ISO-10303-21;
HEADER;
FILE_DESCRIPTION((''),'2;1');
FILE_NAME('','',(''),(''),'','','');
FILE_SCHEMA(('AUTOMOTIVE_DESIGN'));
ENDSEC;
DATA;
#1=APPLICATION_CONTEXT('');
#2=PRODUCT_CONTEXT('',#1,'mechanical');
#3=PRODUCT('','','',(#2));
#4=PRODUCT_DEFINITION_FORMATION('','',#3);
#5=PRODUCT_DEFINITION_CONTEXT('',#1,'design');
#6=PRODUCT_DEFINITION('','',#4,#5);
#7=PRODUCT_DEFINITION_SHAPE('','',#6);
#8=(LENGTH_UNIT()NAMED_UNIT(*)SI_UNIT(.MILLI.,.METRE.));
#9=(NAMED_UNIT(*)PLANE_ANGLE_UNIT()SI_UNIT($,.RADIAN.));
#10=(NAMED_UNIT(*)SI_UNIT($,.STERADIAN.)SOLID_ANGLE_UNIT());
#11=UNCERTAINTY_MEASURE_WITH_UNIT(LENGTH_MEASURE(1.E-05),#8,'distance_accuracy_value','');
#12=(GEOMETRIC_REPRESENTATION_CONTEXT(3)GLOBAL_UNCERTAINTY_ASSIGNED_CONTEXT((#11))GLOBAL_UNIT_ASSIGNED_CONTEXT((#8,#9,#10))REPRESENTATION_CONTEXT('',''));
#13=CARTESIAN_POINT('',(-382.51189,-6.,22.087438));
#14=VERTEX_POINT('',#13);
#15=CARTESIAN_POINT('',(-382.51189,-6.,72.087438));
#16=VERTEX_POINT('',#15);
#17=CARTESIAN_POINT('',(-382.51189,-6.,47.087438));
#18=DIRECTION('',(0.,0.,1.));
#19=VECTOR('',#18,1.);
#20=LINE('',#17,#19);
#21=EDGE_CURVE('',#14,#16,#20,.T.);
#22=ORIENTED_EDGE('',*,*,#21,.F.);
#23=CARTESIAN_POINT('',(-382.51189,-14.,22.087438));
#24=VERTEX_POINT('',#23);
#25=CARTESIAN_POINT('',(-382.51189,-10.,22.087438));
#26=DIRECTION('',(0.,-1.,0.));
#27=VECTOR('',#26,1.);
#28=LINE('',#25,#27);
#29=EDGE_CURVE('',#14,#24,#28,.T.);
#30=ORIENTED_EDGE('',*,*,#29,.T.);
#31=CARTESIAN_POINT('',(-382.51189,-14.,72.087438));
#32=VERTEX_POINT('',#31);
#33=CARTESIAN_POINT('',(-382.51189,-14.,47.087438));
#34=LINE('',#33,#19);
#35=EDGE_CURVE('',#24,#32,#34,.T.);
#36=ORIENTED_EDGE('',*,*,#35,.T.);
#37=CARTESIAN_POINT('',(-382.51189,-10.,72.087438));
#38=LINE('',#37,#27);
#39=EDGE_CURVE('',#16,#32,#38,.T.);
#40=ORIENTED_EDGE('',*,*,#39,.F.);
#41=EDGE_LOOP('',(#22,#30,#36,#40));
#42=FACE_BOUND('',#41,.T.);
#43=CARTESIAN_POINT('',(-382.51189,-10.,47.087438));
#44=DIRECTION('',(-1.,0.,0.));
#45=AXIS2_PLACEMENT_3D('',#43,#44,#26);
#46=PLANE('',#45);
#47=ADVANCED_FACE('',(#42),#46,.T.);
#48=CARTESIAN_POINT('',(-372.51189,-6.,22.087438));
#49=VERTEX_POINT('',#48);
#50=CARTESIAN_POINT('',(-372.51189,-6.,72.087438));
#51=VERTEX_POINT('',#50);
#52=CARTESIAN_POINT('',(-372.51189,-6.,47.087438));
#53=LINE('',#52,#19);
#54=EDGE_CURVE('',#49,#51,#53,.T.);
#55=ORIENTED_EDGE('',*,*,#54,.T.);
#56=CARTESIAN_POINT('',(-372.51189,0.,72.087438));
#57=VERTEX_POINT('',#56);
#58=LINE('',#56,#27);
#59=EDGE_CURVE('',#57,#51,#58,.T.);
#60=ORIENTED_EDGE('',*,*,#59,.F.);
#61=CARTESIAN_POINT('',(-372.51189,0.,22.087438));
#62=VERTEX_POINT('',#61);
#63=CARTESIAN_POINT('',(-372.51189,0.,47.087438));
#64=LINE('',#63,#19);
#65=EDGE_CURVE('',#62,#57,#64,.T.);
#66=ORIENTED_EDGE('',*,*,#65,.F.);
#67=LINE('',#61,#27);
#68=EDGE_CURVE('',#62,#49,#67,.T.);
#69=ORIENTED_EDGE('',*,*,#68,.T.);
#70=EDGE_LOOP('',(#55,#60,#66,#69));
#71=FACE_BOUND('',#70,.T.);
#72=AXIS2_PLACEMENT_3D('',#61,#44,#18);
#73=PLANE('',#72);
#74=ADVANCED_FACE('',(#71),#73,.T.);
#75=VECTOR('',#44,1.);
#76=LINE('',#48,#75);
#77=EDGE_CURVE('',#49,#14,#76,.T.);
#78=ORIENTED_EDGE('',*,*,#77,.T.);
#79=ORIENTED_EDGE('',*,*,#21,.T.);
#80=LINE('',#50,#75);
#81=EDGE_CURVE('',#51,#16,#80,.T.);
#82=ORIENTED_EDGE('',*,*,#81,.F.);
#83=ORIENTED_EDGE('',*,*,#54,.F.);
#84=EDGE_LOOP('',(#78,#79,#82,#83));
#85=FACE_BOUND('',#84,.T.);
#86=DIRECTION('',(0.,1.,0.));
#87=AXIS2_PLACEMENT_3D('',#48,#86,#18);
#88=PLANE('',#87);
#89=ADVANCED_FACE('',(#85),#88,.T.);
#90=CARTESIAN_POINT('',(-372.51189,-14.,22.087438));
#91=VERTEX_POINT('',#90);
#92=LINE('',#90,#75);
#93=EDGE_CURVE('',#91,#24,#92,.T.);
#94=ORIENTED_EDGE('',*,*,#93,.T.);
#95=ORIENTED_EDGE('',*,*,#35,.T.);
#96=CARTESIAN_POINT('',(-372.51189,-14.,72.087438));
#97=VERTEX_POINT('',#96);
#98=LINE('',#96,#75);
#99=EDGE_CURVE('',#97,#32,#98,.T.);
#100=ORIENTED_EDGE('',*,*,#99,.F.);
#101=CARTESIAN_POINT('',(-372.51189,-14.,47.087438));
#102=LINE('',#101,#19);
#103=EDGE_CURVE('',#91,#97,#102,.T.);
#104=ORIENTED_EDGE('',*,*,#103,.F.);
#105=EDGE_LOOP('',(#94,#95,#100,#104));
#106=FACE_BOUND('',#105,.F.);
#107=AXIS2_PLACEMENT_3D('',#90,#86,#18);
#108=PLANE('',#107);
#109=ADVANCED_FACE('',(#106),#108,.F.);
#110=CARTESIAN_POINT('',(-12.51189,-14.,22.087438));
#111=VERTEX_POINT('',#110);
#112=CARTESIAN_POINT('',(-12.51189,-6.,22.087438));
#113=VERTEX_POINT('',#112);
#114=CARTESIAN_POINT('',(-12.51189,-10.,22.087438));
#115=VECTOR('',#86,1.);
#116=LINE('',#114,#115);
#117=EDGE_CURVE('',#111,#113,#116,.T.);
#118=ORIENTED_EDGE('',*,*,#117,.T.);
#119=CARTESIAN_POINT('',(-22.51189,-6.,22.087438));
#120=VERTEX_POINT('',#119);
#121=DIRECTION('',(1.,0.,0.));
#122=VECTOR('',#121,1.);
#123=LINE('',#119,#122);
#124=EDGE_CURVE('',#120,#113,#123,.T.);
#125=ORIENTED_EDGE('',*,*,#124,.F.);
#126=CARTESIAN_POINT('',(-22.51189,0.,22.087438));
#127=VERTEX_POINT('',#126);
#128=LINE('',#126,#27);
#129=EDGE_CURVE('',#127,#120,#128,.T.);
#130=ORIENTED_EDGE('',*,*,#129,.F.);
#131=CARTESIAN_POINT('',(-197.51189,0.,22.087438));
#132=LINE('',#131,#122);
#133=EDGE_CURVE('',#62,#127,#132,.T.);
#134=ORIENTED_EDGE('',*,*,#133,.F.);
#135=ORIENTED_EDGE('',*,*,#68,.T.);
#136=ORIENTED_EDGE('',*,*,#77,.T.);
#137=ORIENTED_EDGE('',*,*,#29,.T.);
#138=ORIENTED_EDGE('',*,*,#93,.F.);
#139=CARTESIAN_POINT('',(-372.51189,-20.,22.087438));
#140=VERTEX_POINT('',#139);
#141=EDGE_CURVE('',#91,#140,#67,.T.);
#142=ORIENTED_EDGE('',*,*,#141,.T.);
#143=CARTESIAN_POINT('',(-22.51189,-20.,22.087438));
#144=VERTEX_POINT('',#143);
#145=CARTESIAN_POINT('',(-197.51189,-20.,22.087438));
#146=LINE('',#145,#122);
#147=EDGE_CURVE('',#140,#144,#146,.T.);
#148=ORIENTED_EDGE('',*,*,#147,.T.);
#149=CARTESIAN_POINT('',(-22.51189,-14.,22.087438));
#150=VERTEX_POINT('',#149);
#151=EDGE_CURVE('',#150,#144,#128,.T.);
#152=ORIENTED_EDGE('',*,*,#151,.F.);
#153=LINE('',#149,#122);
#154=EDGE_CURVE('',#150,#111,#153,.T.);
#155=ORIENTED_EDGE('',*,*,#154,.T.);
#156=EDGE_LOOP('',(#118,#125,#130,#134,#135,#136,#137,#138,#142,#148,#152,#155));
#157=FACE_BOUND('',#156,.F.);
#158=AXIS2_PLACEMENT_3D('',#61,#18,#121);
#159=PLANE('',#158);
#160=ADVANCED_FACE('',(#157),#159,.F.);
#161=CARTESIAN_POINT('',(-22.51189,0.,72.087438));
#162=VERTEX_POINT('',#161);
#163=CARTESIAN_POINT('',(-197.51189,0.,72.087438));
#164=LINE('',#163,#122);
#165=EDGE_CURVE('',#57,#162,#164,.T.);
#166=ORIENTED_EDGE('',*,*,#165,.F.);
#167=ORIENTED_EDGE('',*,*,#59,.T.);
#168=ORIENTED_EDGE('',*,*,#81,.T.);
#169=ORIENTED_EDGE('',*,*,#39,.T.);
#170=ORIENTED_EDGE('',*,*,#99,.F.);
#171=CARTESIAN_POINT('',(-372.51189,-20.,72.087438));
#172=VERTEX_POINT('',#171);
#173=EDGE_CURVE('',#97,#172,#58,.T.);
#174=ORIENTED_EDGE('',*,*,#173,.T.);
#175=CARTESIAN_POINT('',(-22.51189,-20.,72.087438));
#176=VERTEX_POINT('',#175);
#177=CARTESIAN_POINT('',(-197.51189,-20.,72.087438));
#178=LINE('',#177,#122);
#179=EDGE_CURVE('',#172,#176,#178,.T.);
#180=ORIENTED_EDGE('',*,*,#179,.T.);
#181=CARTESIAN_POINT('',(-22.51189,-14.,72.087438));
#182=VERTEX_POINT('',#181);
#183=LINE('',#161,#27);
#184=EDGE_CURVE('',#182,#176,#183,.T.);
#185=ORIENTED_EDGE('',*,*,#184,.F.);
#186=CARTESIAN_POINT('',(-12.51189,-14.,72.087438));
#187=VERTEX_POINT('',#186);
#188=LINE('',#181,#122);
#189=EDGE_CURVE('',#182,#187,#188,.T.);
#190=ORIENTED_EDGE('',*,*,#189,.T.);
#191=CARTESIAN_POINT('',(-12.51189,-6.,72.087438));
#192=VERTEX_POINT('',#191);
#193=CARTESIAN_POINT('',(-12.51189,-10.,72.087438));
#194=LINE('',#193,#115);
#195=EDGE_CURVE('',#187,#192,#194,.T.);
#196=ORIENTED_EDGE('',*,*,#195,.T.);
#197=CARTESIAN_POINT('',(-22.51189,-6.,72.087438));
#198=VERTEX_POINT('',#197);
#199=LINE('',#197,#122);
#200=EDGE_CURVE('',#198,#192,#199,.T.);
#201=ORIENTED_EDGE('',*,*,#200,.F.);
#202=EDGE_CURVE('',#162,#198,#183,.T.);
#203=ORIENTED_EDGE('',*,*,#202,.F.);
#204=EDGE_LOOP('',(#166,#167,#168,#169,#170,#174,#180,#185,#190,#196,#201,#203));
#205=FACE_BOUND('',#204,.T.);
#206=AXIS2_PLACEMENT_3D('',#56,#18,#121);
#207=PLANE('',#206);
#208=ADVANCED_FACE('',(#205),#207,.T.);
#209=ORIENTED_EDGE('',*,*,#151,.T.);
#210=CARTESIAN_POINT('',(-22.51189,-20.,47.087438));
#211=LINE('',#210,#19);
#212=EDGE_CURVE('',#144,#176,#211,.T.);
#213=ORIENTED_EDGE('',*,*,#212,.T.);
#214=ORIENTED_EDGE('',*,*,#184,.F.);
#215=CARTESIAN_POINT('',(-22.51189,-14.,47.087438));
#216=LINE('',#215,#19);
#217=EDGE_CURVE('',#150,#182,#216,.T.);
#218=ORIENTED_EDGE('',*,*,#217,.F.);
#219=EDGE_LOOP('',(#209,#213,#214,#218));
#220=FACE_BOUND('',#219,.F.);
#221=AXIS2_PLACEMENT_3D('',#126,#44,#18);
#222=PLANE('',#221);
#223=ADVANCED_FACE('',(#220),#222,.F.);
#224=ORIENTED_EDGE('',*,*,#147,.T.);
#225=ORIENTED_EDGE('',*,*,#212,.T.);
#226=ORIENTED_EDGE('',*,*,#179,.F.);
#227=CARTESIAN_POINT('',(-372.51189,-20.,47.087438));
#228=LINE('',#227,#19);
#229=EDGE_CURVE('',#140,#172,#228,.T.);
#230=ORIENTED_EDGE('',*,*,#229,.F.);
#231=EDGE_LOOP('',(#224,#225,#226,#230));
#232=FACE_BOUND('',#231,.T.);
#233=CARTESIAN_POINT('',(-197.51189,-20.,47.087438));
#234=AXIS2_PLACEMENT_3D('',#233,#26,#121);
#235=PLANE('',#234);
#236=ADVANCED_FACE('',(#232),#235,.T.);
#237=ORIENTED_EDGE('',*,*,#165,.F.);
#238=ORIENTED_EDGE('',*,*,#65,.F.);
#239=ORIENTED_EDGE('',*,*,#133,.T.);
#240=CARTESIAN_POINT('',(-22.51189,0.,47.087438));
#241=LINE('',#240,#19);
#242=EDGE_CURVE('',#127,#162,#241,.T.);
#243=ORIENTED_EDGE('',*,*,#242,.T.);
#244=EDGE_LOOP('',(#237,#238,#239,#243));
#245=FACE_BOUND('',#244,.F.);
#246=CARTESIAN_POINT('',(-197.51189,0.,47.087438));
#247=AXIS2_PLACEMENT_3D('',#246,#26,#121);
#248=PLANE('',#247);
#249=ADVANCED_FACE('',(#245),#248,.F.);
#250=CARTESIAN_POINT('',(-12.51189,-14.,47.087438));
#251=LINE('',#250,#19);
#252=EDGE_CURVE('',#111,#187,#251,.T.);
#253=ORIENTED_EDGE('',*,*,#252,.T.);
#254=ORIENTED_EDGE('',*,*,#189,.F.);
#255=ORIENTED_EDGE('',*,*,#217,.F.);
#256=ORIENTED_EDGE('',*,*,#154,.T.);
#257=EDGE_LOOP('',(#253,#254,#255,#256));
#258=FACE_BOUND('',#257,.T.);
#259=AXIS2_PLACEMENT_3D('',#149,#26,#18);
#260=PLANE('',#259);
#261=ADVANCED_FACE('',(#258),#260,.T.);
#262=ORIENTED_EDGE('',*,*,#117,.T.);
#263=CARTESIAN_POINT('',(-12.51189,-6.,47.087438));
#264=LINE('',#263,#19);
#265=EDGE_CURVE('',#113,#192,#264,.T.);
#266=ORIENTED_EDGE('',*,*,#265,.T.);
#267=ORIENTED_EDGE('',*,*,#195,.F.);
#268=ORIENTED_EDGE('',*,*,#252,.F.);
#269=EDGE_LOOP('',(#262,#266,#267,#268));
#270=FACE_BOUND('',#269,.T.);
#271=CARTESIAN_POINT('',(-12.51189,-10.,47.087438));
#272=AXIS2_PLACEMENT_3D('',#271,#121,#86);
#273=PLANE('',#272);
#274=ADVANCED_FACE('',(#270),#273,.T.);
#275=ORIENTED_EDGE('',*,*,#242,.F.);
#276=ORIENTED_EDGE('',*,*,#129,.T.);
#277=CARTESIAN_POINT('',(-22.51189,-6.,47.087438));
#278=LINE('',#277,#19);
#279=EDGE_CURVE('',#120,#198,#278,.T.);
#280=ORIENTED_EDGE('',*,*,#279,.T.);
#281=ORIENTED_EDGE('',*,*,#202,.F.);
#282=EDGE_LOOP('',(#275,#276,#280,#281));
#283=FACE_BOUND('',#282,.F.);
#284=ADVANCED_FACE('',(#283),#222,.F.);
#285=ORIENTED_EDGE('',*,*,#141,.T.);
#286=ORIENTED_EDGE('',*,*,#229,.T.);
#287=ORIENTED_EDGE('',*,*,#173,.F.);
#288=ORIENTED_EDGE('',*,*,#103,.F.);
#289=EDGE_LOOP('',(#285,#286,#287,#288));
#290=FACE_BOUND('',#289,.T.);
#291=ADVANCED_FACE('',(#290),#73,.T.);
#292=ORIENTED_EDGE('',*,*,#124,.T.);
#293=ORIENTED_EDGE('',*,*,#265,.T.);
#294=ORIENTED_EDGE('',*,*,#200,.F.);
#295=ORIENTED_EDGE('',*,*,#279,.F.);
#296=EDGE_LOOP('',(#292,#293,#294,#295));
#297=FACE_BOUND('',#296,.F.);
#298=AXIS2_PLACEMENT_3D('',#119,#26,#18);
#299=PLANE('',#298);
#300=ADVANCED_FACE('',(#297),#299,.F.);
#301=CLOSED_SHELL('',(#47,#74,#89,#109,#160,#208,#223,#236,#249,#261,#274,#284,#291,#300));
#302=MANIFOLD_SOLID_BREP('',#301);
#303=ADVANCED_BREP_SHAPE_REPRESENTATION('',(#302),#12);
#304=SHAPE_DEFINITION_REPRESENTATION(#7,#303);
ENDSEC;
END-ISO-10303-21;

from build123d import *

# Parameters (mm, degrees)
F0_W     = 350
F0_H     = 50
F1_DEPTH = 20
F2_W     = 8
F2_H     = 50
F3_DEPTH = 10
F4_W     = 8
F4_H     = 50
F5_DEPTH = 10


with BuildPart() as f1:
    # F0 (on Front) → F1 (new body)
    with BuildSketch(Plane.XZ):
        with Locations((-197.51189, 47.087438)):
            Rectangle(F0_W, F0_H)
    extrude(amount=F1_DEPTH)

    # F2 (on face) → F3 (join)
    with BuildSketch(Plane.YZ.offset(-22.51189)):
        with Locations((-10, 47.087438)):
            Rectangle(F2_W, F2_H)
    extrude(amount=F3_DEPTH)

    # F4 (on face) → F5 (join)
    with BuildSketch(Plane(origin=(-372.51189, 0, 0), x_dir=(0, -1, 0), z_dir=(-1, 0, 0))):
        with Locations((10, 47.087438)):
            Rectangle(F4_W, F4_H)
    extrude(amount=F5_DEPTH)


solid = f1.part
